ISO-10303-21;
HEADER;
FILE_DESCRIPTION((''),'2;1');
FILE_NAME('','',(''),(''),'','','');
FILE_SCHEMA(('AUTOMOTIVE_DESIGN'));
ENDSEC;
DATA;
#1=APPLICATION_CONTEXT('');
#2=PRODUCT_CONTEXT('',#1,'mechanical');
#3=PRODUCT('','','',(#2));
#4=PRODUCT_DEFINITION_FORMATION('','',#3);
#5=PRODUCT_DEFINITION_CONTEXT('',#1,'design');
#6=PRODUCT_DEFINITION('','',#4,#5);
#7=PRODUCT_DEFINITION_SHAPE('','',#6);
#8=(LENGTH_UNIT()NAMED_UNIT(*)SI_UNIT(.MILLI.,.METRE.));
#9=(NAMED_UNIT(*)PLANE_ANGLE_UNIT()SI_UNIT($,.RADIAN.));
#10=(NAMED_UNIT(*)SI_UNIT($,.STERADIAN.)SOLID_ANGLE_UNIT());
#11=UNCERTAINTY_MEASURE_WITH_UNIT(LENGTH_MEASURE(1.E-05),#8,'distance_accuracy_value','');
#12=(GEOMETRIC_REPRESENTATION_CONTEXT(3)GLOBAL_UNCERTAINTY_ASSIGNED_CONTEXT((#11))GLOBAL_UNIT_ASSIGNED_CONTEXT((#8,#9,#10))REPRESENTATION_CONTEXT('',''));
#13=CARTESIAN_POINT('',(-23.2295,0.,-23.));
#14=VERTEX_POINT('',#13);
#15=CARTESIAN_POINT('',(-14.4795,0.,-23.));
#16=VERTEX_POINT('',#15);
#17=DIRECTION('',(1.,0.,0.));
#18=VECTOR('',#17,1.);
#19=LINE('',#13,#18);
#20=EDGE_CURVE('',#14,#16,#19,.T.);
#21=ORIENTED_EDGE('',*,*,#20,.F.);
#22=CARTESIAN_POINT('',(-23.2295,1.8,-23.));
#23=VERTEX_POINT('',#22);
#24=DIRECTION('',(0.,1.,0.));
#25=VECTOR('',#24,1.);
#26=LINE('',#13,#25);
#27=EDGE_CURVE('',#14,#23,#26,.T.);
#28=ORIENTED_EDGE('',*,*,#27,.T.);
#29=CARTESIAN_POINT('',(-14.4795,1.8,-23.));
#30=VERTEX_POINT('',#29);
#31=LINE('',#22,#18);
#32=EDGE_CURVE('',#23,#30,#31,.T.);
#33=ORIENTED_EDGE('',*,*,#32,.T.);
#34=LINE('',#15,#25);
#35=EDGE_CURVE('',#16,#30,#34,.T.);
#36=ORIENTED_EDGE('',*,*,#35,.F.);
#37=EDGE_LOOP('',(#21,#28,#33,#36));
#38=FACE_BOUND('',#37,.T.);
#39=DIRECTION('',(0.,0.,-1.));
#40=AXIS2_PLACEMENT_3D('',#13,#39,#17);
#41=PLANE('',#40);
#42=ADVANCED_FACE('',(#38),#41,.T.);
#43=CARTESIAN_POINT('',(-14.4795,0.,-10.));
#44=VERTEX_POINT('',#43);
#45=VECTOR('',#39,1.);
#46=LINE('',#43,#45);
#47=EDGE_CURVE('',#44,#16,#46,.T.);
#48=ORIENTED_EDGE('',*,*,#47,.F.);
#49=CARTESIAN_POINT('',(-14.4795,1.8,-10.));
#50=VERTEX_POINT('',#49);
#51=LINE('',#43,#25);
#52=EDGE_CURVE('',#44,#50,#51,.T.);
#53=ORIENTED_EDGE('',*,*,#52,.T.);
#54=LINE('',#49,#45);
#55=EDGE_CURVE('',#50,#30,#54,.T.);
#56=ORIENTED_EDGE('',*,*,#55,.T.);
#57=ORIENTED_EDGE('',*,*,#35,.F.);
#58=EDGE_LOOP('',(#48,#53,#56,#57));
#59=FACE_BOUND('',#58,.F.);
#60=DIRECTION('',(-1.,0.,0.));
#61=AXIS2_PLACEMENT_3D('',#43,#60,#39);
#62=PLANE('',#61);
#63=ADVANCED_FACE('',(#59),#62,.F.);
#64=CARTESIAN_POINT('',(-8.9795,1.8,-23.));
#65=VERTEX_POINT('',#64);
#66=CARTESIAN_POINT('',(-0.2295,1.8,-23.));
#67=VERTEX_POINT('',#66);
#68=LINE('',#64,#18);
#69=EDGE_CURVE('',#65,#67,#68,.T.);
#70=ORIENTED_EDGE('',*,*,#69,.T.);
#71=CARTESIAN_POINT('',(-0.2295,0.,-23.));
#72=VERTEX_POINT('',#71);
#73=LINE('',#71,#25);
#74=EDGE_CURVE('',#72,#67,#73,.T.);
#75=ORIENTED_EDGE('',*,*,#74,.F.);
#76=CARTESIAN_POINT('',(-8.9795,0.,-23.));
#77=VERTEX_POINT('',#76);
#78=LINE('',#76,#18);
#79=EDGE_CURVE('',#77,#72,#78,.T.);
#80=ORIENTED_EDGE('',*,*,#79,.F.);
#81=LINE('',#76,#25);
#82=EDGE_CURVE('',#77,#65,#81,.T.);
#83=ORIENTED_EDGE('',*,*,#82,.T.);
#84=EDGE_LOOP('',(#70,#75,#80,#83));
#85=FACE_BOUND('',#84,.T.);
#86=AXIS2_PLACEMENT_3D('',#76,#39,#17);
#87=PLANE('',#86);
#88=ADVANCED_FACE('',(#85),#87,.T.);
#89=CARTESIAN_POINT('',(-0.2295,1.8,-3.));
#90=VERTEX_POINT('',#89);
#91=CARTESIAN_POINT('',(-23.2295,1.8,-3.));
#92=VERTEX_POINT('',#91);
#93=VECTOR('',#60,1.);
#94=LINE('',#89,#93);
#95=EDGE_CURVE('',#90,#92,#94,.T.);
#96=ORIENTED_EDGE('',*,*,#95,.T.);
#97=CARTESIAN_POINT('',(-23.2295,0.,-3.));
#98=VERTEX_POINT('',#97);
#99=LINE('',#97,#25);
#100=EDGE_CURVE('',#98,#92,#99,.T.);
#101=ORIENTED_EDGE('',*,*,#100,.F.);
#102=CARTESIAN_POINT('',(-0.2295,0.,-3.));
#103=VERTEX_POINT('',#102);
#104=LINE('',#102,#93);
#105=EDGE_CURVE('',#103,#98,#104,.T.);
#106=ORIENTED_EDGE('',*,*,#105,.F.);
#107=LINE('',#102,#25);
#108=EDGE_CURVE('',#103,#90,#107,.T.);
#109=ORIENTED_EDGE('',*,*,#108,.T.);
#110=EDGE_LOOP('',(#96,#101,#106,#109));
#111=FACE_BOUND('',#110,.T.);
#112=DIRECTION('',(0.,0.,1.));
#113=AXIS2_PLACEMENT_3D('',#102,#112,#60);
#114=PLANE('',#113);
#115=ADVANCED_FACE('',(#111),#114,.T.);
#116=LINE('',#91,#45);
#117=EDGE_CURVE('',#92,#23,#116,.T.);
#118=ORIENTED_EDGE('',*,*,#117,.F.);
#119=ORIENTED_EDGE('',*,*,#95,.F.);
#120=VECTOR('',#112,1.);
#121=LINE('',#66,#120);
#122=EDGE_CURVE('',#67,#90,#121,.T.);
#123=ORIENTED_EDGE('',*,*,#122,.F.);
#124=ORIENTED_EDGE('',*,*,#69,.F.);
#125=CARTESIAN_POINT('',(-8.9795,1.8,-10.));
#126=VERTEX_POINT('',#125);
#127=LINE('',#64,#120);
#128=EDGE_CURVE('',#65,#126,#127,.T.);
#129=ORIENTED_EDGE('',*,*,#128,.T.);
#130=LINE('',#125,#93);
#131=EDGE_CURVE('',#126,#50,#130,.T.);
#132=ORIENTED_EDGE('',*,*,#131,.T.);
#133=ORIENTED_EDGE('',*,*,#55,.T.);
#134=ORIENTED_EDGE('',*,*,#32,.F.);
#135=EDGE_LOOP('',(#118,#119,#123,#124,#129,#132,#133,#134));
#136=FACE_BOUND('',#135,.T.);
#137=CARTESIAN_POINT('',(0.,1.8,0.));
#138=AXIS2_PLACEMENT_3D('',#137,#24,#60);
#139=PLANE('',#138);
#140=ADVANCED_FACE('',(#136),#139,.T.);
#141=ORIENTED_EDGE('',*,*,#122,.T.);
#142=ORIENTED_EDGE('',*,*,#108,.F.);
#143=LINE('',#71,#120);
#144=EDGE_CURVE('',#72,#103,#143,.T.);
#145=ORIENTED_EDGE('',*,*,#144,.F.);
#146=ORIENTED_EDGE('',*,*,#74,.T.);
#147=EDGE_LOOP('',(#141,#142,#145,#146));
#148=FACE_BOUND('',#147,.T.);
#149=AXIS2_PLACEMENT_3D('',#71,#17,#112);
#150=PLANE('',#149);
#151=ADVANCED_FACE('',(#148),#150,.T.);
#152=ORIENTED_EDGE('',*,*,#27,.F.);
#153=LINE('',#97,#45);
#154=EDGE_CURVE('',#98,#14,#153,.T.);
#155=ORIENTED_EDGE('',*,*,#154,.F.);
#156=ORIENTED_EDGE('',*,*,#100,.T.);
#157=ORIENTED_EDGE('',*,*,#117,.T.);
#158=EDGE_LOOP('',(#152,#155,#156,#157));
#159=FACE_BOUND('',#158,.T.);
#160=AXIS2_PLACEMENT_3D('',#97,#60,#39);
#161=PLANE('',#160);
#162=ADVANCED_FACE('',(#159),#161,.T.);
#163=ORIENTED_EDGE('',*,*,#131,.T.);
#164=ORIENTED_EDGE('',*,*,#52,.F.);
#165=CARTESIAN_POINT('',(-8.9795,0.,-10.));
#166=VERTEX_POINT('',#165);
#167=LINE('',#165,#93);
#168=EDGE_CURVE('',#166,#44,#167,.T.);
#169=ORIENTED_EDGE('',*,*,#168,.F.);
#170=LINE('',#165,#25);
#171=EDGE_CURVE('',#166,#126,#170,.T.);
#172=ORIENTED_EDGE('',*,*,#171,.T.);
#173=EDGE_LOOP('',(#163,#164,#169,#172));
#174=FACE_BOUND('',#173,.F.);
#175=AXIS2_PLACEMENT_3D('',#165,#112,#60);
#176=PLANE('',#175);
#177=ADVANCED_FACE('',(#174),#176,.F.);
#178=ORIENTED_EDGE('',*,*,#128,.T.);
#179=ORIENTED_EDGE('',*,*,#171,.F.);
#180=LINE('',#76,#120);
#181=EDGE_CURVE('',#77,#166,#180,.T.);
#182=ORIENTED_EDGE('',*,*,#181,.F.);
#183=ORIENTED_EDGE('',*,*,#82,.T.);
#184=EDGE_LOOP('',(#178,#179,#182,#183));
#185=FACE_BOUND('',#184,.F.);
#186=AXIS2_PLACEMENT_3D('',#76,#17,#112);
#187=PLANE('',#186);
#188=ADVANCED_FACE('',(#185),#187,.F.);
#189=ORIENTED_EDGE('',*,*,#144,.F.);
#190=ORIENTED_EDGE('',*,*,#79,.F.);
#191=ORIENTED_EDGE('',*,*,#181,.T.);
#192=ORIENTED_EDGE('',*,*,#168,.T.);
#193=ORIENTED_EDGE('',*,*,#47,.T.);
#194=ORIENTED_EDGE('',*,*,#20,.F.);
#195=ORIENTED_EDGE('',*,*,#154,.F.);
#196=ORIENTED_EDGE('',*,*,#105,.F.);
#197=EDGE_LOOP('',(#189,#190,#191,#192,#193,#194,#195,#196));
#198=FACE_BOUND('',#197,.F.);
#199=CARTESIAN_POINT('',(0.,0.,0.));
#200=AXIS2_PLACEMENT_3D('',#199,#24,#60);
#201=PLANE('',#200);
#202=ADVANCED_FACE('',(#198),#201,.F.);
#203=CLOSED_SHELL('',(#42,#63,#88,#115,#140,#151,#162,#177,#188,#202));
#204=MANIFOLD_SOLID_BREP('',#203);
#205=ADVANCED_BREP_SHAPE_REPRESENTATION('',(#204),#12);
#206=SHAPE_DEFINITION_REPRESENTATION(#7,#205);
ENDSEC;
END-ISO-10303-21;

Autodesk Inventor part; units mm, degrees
ref_plane "YZ Plane" through (0, 0, 0) normal (1, 0, 0) x (0, 1, 0)
ref_plane "XZ Plane" through (0, 0, 0) normal (0, 1, 0) x (-1, 0, 0)
ref_plane "XY Plane" through (0, 0, 0) normal (0, 0, 1) x (1, 0, 0)
sketch "Sketch1" plane through (0, 0, 0) normal (0, 1, 0) x (-1, 0, 0)
  line L0 (0.2295, -3) -> (23.2295, -3)
  line L1 (23.2295, -3) -> (23.2295, -23)
  line L2 (0.2295, -23) -> (0.2295, -3)
  line L3 (8.9795, -23) -> (8.9795, -10)
  line L4 (8.9795, -10) -> (14.4795, -10)
  line L5 (14.4795, -10) -> (14.4795, -23)
  line L6 (11.7295, -5) -> (11.7295, -18.3097) construction
  line L7 (23.2295, -23) -> (14.4795, -23)
  line L8 (8.9795, -23) -> (0.2295, -23)
  dimension "d4" = 23
  dimension "d5" = 20
  dimension "d8" = 5.5
  dimension "d9" = 13
extrude "Extrusion1" add sketch "Sketch1" along normal blind 1.8
properties part number "Distance_test_rig_insert"
